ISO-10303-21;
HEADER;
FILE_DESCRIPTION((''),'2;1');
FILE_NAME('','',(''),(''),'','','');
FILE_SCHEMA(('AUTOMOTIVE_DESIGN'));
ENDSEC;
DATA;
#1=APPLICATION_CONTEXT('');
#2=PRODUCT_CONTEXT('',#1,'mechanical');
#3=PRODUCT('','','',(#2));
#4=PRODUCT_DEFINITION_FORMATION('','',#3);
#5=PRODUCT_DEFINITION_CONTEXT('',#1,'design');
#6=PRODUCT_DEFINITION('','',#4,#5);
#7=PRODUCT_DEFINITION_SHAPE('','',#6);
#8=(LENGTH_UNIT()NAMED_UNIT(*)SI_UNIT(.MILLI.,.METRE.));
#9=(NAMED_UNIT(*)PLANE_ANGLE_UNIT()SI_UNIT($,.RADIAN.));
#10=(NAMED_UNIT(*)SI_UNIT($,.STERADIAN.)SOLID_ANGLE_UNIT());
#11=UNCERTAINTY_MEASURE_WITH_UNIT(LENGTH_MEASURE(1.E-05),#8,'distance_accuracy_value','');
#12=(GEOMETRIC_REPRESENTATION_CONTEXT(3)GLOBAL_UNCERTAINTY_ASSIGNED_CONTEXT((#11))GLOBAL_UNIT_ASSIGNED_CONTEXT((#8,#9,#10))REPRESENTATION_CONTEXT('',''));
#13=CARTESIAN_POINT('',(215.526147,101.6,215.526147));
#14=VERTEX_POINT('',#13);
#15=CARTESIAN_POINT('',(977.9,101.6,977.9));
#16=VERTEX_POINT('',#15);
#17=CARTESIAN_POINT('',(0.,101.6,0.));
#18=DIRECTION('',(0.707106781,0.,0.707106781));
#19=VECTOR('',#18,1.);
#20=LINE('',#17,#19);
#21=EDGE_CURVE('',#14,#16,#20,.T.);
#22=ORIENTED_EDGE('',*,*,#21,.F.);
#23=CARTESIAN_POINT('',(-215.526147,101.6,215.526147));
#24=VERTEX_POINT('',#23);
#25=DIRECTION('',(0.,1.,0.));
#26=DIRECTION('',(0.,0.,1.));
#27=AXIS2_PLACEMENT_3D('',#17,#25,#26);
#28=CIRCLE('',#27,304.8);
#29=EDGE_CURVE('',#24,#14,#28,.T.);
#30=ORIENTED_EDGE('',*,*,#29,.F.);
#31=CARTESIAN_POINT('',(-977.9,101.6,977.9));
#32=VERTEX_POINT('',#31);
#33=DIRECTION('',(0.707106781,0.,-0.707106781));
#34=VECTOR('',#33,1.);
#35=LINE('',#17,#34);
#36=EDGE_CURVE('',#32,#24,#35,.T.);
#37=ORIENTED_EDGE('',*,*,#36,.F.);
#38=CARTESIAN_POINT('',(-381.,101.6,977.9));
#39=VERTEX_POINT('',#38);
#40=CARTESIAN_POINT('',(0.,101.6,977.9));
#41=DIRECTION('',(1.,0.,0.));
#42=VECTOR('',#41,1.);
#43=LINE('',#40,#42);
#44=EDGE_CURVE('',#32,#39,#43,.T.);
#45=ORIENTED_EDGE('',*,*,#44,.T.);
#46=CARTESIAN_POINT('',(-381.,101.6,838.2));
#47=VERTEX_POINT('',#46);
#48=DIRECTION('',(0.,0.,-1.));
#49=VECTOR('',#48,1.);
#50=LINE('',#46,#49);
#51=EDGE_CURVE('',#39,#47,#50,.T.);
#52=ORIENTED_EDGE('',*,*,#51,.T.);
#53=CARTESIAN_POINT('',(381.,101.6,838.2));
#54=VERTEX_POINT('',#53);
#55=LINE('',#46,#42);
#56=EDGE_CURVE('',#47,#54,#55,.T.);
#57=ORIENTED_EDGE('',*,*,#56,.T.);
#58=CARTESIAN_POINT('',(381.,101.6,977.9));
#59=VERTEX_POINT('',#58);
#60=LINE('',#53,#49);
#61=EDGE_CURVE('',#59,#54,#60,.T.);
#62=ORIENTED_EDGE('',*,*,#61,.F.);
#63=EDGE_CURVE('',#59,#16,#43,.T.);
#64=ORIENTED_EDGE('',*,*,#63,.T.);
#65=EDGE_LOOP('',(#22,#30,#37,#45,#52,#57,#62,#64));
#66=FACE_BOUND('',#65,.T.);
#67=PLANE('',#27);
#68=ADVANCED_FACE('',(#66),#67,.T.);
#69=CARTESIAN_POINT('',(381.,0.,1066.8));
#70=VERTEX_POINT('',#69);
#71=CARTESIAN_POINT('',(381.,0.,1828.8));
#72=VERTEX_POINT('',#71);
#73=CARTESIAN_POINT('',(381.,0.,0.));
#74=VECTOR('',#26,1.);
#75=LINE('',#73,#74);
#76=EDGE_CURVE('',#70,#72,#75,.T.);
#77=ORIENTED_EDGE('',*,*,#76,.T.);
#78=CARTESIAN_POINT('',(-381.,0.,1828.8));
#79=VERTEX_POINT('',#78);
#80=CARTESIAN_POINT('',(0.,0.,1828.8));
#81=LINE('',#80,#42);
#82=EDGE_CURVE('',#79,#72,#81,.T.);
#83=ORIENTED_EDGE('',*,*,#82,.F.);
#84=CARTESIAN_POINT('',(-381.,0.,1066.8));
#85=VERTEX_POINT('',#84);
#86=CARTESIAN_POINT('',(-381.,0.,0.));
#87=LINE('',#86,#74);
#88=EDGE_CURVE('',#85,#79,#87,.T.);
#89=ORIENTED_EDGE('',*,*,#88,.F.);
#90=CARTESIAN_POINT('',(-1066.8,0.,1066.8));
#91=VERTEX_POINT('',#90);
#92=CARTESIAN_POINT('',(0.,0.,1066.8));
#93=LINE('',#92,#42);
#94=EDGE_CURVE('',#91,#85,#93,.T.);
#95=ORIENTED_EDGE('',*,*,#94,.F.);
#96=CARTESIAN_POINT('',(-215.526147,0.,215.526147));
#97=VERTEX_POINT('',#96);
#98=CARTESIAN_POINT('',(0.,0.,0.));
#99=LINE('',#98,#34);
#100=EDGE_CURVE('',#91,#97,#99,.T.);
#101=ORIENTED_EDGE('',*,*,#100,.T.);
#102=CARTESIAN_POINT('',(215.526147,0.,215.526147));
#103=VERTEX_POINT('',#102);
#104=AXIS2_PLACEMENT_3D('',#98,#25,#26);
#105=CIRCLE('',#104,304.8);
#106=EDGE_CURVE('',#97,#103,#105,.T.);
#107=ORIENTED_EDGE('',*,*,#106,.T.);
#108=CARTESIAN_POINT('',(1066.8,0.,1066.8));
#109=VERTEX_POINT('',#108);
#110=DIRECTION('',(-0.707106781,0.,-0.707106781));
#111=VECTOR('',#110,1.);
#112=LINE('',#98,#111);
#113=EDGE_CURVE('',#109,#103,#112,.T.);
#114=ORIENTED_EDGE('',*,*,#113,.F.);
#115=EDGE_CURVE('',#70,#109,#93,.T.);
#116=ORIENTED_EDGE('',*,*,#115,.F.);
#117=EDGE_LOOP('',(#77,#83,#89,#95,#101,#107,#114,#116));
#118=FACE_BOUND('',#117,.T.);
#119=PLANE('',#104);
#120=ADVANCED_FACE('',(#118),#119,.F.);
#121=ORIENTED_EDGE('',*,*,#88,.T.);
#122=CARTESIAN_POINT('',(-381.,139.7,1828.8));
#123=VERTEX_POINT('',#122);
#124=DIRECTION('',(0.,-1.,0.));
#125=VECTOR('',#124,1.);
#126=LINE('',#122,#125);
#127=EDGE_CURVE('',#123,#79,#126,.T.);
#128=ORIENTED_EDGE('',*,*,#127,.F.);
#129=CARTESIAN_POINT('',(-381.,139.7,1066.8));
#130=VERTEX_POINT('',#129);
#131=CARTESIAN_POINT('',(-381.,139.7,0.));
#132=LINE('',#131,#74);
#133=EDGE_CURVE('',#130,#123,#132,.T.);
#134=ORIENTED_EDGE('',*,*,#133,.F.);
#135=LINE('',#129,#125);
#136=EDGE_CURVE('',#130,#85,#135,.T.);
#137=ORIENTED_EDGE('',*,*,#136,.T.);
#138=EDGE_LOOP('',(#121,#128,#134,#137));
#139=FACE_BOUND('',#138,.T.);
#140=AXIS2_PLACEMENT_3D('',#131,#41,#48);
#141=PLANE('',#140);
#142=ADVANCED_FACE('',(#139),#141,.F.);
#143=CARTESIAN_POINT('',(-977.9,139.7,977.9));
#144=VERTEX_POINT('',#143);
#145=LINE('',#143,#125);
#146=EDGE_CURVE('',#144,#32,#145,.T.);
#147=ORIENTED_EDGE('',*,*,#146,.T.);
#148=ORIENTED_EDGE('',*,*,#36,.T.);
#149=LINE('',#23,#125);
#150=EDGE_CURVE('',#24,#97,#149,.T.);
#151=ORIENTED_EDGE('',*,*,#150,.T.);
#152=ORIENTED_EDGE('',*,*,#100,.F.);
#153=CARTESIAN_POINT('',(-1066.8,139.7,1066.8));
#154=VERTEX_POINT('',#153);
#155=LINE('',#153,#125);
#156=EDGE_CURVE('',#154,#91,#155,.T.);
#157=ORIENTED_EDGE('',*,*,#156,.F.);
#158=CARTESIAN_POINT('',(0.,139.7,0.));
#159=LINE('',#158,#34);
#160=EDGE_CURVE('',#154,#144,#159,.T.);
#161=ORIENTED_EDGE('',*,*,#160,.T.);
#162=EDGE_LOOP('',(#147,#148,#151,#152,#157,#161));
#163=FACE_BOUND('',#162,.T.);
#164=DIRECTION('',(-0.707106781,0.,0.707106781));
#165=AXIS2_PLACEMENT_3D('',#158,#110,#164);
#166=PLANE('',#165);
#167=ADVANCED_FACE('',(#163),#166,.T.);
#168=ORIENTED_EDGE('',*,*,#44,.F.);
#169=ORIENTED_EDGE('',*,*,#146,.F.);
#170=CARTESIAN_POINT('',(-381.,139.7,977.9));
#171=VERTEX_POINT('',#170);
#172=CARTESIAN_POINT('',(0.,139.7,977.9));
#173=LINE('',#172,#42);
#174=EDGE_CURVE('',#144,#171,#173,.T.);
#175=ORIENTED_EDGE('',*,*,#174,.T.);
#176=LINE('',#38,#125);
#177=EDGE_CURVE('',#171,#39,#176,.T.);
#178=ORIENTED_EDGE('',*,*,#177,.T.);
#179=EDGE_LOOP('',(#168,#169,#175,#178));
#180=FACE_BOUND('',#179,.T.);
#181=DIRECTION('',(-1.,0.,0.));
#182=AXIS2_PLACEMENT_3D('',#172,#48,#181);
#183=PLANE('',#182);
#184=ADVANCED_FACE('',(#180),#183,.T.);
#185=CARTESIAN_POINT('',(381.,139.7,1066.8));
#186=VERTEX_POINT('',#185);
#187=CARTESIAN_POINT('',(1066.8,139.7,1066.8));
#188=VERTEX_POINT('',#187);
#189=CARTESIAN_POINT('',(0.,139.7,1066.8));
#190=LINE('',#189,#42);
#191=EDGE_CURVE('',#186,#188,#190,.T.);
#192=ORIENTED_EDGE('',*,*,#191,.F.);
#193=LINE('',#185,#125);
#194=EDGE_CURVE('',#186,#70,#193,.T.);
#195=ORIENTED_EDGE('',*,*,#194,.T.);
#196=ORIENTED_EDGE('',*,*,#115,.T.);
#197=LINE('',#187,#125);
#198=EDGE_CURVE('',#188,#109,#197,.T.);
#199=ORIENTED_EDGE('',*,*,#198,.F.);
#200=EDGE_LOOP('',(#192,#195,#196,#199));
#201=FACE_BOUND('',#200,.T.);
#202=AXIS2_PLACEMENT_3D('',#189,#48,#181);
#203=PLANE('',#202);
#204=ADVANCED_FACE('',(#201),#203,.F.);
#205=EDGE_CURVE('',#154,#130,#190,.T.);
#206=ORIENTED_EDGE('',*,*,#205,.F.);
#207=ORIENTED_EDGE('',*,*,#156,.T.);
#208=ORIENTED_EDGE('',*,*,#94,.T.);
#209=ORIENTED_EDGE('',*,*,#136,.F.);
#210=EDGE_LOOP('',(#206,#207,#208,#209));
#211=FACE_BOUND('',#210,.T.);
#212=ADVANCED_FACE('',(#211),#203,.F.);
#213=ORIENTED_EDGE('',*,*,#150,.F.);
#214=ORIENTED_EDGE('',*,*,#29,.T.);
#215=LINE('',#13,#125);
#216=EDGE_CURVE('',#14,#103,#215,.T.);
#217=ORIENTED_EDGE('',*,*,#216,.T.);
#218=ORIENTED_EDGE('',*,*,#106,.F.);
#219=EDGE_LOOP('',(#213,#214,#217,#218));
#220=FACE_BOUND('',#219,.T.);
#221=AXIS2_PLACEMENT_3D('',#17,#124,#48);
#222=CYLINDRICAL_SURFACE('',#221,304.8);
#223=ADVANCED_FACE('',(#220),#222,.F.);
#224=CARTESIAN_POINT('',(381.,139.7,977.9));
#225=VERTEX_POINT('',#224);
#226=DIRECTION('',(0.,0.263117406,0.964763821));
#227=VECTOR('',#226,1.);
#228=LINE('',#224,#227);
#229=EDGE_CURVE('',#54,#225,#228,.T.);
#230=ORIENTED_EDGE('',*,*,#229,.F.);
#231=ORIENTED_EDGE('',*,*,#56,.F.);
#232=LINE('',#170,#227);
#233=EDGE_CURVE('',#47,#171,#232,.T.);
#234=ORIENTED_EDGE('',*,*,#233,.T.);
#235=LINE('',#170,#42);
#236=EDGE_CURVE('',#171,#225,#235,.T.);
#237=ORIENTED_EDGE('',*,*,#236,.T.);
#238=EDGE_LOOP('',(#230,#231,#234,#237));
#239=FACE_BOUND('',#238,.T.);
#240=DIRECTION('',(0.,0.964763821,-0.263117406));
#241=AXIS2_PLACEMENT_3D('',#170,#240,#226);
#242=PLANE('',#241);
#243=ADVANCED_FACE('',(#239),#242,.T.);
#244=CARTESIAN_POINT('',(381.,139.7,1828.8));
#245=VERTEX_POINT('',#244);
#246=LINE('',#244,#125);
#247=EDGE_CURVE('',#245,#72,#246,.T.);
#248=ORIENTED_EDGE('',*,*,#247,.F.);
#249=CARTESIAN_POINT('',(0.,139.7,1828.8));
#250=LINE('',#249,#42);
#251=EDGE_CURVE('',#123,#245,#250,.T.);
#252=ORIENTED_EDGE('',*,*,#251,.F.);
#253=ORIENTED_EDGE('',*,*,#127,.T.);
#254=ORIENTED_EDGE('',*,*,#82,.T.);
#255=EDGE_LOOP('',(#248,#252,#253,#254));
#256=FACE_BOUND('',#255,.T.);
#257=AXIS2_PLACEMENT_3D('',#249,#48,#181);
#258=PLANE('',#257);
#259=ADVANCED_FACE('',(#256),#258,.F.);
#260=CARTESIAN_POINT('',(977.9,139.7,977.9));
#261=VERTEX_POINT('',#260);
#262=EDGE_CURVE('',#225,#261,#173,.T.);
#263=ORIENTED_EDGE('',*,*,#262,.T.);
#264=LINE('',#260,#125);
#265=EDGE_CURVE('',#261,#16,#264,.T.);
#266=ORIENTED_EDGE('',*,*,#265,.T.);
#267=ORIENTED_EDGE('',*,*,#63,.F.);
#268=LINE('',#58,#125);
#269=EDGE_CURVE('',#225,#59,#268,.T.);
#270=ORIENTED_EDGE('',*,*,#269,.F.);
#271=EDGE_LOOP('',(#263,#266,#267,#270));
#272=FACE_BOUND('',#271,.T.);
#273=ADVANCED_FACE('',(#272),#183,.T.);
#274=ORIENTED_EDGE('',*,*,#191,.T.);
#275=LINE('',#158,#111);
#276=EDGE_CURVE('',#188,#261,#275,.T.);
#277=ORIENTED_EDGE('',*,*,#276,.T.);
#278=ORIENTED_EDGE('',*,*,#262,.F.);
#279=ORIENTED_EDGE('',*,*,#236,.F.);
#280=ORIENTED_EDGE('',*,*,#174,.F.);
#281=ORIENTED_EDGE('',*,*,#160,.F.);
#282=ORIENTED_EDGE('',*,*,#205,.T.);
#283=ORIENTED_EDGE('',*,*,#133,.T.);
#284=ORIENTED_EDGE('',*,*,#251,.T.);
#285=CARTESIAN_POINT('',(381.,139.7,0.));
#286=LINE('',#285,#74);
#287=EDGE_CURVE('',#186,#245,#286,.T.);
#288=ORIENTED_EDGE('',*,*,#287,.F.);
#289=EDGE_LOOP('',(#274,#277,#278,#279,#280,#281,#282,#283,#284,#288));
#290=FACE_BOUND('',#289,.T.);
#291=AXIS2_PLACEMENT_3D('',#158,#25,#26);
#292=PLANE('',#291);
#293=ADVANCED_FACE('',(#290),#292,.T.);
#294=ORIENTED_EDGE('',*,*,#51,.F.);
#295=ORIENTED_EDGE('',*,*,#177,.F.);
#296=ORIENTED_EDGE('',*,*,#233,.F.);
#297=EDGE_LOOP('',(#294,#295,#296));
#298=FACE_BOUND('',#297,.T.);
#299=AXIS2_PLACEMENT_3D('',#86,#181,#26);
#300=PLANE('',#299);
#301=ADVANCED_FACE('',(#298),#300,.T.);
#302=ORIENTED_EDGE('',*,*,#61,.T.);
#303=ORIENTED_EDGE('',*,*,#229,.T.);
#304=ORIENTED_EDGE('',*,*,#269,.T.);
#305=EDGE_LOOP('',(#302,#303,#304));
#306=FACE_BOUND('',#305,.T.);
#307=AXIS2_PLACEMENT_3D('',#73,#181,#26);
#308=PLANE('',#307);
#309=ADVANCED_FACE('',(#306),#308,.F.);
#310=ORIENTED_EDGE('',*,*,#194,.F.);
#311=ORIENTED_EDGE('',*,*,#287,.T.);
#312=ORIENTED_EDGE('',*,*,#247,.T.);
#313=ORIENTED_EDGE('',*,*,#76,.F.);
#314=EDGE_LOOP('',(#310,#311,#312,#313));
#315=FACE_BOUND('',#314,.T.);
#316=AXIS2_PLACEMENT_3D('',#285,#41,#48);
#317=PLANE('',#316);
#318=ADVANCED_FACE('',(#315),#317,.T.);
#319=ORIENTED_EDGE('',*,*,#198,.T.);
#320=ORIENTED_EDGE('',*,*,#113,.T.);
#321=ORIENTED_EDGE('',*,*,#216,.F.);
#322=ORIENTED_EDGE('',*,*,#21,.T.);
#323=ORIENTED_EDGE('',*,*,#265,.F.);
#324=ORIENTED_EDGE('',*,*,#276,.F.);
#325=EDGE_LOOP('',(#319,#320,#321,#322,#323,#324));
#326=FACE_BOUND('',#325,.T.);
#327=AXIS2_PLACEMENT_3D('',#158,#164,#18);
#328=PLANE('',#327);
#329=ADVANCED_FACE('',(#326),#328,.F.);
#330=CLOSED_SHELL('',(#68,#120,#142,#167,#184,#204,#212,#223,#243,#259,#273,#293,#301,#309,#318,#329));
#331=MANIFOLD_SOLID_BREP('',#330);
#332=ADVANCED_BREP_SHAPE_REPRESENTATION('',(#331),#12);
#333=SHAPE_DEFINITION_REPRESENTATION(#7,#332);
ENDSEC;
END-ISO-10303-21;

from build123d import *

# Parameters (mm, degrees)
BOSS_EXTRUDE1_DEPTH      = 139.7
BOSS_EXTRUDE2_DEPTH      = 101.6
BOSS_EXTRUDE4_DEPTH      = 381
BOSS_EXTRUDE4_DEPTH_BACK = 381


with BuildPart() as part:
    # Sketch1 → Boss-Extrude1 (new body)
    with BuildSketch(Plane(origin=(0, 0, 0), x_dir=(1, 0, 0), z_dir=(0, 1, 0))):
        Polygon((-977.9, -977.9), (-1066.8, -1066.8), (-381, -1066.8), (-381, -1828.8), (381, -1828.8), (381, -1066.8), (1066.8, -1066.8), (977.9, -977.9), align=None)
    extrude(amount=BOSS_EXTRUDE1_DEPTH)

    # Sketch1<10> → Boss-Extrude2 (add)
    with BuildSketch(Plane(origin=(0, 0, 0), x_dir=(1, 0, 0), z_dir=(0, 1, 0))):
        with BuildLine():
            Line((-977.9, -977.9), (977.9, -977.9))
            Line((977.9, -977.9), (215.526146906, -215.526146906))
            ThreePointArc((215.526146906, -215.526146906), (0, -304.8), (-215.526146906, -215.526146906))
            Line((-215.526146906, -215.526146906), (-977.9, -977.9))
        make_face()
    extrude(amount=BOSS_EXTRUDE2_DEPTH)

    # Sketch10 → Boss-Extrude4 (add, two sides: drawn at the far end of the back side and taken through both)
    with BuildSketch(Plane(origin=(0, 0, 0), x_dir=(0, 0, -1), z_dir=(1, 0, 0)).offset(-BOSS_EXTRUDE4_DEPTH_BACK)):
        Polygon((-977.9, 101.6), (-977.9, 139.7), (-838.2, 101.6), align=None)
    extrude(amount=BOSS_EXTRUDE4_DEPTH + BOSS_EXTRUDE4_DEPTH_BACK)


solid = part.part
